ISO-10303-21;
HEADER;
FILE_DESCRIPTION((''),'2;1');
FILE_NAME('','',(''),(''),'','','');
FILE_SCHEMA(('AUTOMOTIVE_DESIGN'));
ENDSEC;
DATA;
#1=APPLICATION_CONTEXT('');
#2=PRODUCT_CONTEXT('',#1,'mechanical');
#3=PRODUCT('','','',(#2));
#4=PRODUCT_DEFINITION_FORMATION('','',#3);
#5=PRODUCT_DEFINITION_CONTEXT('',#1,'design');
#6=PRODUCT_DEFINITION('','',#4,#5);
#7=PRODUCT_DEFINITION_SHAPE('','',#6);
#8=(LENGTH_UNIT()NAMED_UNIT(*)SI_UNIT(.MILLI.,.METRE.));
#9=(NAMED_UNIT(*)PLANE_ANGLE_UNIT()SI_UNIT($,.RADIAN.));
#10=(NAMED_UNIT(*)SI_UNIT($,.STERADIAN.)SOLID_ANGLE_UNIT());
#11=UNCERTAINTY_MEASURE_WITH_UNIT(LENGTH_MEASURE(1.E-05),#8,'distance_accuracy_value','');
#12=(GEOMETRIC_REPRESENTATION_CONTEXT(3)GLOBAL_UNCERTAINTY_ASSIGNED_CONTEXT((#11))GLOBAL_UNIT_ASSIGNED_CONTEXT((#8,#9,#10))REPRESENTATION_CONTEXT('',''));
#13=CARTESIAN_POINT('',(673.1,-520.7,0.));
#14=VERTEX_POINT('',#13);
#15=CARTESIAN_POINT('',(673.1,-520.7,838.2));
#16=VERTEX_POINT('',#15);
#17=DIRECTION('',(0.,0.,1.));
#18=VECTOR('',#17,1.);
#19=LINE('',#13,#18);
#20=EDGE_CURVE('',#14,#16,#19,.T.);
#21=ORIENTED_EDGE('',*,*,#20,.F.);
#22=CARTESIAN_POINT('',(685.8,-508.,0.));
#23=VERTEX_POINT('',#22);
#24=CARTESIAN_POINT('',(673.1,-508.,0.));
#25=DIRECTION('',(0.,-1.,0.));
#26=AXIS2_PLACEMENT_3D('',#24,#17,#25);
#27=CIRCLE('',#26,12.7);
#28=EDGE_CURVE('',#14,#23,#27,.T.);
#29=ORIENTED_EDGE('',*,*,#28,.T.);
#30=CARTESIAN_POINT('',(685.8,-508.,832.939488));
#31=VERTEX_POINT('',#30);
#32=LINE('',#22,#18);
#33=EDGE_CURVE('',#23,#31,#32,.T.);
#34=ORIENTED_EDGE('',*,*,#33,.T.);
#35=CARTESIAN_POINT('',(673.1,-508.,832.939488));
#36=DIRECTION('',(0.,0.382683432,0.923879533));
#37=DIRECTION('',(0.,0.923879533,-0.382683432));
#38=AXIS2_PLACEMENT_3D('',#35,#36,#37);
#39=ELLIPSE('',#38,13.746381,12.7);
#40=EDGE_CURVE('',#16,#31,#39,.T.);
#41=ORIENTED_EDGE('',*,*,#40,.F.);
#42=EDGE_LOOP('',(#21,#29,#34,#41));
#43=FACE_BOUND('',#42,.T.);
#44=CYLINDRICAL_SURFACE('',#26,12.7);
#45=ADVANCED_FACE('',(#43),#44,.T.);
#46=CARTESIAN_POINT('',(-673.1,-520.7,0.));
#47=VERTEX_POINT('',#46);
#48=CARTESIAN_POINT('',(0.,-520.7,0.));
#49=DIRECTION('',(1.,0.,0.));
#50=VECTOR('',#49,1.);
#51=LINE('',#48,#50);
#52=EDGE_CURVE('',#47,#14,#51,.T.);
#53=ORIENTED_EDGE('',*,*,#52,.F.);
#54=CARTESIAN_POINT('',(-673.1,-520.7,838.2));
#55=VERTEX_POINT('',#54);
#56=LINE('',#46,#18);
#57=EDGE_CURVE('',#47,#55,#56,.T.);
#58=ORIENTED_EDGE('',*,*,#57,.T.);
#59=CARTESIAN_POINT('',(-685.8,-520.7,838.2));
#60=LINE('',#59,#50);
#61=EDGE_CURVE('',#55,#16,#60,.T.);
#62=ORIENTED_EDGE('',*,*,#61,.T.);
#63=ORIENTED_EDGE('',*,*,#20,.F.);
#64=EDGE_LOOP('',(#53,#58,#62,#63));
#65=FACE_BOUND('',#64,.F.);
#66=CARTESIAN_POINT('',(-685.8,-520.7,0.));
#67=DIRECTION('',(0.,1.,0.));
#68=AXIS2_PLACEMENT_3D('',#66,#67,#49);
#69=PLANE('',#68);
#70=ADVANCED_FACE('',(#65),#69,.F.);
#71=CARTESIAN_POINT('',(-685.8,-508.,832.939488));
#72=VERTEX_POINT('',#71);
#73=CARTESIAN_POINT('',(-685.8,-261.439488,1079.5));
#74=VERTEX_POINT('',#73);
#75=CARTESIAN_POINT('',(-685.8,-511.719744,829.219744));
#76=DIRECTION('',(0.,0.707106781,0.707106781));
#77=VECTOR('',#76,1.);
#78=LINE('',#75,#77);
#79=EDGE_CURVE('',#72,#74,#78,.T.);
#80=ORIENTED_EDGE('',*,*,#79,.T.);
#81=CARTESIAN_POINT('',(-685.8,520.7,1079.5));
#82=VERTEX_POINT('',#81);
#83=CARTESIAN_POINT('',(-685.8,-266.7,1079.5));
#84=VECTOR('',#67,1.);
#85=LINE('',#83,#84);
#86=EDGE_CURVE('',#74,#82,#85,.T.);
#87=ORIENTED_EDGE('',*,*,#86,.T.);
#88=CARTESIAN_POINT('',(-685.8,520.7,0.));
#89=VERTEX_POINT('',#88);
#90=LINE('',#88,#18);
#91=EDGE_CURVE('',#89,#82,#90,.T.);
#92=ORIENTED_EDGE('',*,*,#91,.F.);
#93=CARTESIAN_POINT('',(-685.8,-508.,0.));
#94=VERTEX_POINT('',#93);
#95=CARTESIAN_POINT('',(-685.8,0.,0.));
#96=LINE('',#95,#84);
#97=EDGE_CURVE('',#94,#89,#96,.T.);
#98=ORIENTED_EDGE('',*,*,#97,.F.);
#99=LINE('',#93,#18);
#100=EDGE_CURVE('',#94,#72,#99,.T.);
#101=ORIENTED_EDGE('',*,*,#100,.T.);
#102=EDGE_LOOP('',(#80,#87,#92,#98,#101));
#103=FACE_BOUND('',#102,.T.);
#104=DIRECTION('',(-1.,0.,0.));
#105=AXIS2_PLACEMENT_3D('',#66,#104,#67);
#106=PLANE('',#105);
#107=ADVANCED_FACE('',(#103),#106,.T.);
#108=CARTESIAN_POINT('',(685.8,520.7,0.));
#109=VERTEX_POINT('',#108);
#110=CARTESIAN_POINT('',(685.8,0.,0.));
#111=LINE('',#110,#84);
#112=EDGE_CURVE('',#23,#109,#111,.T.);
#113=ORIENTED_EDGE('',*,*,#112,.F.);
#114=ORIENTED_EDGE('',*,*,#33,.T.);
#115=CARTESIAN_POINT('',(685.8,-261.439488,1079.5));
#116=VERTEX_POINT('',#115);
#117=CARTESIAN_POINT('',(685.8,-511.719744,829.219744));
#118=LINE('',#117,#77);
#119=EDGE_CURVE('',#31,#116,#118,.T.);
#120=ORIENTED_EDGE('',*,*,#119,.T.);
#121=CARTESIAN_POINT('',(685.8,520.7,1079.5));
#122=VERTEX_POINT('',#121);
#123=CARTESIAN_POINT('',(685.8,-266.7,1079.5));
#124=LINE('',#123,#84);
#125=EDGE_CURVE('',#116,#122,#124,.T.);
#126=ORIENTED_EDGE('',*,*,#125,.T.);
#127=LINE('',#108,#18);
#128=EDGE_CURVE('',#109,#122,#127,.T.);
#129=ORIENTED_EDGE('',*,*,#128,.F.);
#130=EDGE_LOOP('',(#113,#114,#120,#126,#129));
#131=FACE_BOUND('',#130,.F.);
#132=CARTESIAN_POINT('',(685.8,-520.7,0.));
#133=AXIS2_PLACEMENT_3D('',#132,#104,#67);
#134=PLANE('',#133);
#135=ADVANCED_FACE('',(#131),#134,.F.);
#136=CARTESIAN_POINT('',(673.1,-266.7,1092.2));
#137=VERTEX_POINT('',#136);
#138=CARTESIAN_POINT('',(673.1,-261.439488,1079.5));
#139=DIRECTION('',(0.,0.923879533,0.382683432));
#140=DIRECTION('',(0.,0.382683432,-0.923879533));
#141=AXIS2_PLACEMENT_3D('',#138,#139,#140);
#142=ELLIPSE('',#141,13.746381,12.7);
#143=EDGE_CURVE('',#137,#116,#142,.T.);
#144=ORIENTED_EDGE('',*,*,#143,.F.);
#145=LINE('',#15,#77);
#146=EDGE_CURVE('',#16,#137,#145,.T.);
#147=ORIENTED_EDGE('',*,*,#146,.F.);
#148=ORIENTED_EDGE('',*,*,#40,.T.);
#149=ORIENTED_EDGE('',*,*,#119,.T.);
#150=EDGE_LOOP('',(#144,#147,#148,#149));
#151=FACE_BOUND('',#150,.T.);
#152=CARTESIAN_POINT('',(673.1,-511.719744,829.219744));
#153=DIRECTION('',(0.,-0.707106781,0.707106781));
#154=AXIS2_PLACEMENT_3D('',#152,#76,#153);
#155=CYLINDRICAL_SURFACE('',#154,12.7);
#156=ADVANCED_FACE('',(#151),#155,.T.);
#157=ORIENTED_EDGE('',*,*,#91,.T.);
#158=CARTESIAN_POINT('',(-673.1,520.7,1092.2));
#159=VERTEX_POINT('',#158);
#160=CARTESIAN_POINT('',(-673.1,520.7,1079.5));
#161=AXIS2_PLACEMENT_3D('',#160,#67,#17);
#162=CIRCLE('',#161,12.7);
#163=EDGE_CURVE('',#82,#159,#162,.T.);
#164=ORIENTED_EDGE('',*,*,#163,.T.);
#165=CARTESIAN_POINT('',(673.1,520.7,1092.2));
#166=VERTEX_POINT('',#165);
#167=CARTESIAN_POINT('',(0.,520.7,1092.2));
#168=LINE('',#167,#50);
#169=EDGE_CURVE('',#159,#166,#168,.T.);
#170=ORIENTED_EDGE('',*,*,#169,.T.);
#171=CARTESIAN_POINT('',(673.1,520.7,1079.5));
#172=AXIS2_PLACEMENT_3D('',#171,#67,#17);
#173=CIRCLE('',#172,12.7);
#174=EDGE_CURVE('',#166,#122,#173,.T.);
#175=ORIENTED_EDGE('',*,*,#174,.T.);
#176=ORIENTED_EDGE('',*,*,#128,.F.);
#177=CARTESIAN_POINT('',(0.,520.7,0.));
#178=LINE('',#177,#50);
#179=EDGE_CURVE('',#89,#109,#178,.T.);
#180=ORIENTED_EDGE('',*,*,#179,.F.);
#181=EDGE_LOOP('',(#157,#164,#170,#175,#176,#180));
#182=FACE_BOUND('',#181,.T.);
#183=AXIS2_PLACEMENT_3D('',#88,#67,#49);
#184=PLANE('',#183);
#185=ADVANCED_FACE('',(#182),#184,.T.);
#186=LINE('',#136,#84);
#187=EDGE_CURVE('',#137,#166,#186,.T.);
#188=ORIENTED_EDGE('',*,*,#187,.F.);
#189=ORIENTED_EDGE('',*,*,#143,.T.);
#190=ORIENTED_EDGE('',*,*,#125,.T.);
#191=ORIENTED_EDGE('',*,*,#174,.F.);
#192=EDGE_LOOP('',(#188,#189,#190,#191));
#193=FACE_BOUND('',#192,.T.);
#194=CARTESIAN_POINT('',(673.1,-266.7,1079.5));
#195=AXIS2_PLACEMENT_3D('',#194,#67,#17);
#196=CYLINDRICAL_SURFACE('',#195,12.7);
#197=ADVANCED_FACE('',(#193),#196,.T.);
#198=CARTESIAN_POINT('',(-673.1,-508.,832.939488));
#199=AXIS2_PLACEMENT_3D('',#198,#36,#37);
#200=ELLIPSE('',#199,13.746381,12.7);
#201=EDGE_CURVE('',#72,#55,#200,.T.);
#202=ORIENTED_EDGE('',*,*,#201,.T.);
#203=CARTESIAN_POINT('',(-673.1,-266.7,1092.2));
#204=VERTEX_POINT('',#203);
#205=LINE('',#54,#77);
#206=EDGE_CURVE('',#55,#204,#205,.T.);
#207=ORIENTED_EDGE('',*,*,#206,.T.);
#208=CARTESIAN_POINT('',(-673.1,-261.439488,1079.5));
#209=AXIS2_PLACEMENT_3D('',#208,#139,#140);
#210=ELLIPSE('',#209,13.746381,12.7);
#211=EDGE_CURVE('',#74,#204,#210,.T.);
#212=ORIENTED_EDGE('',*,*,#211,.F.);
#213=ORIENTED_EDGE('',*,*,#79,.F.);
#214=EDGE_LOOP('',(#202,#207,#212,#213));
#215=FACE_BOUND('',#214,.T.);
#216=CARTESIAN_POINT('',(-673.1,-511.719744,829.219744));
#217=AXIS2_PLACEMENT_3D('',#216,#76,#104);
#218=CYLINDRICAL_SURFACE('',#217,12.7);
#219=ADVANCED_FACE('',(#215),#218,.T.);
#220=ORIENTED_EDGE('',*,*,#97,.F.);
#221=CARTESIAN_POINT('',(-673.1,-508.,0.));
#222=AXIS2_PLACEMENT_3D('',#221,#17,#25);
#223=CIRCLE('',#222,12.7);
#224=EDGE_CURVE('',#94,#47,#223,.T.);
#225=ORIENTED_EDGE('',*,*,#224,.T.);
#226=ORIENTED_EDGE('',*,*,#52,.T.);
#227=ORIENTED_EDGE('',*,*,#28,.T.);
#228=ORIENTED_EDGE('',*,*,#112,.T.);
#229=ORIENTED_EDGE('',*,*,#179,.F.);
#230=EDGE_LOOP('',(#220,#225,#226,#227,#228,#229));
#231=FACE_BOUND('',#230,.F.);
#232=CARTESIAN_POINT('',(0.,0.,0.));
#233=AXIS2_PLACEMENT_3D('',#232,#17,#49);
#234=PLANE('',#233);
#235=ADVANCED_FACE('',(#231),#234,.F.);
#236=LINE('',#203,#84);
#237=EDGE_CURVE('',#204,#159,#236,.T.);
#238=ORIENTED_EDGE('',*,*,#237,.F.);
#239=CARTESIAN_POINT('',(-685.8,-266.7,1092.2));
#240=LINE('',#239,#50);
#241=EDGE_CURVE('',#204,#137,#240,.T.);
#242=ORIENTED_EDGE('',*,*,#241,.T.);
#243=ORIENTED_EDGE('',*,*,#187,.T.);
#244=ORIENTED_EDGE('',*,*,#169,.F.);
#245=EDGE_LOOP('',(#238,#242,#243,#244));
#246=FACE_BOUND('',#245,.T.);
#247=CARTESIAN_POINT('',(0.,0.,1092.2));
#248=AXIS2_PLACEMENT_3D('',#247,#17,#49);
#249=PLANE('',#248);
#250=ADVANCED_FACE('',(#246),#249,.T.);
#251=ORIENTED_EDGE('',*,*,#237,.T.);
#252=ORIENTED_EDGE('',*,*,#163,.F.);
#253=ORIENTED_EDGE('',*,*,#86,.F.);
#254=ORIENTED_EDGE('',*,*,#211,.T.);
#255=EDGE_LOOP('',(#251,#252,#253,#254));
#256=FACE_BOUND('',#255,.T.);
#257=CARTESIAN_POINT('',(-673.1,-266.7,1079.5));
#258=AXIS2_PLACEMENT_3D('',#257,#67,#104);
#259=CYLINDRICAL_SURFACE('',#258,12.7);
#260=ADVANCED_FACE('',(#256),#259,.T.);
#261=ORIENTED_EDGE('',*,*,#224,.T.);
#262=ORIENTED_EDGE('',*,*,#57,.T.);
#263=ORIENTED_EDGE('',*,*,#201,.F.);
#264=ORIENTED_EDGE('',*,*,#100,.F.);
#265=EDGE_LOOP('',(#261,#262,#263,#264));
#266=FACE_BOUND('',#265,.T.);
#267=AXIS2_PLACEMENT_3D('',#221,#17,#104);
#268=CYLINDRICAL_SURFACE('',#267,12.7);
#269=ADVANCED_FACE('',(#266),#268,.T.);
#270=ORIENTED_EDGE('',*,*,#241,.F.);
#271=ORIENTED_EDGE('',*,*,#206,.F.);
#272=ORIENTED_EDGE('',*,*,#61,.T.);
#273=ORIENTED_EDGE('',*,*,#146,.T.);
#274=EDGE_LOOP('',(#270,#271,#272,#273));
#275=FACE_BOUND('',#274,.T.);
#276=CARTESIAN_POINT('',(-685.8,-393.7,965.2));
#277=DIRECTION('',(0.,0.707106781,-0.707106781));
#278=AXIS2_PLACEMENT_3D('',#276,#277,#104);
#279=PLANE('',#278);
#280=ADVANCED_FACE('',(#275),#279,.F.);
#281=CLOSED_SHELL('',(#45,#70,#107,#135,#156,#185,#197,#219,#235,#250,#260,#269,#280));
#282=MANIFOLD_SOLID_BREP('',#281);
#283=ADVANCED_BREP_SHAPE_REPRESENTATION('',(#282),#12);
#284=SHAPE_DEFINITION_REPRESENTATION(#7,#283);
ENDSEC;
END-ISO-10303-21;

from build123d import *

# Parameters (mm, degrees)
F0_W     = 1371.6
F0_H     = 1041.4
F1_DEPTH = 1092.2
F2_SIZE  = 254
F3_R     = 12.7


with BuildPart() as f1:
    # F0 (on Top) → F1 (new body)
    with BuildSketch(Plane.XY):
        Rectangle(F0_W, F0_H)
    extrude(amount=F1_DEPTH)

    # F2
    f2_edges = [f1.edges().sort_by_distance(p)[0] for p in [
        (0, -520.7, 1092.2),
    ]]
    chamfer(f2_edges, length=F2_SIZE)

    # F3
    f3_edges = [f1.edges().sort_by_distance(p)[0] for p in [
        (685.8, 127, 1092.2),
        (685.8, -393.7, 965.2),
        (685.8, -520.7, 419.1),
        (-685.8, 127, 1092.2),
        (-685.8, -393.7, 965.2),
        (-685.8, -520.7, 419.1),
    ]]
    fillet(f3_edges, radius=F3_R)


solid = f1.part
